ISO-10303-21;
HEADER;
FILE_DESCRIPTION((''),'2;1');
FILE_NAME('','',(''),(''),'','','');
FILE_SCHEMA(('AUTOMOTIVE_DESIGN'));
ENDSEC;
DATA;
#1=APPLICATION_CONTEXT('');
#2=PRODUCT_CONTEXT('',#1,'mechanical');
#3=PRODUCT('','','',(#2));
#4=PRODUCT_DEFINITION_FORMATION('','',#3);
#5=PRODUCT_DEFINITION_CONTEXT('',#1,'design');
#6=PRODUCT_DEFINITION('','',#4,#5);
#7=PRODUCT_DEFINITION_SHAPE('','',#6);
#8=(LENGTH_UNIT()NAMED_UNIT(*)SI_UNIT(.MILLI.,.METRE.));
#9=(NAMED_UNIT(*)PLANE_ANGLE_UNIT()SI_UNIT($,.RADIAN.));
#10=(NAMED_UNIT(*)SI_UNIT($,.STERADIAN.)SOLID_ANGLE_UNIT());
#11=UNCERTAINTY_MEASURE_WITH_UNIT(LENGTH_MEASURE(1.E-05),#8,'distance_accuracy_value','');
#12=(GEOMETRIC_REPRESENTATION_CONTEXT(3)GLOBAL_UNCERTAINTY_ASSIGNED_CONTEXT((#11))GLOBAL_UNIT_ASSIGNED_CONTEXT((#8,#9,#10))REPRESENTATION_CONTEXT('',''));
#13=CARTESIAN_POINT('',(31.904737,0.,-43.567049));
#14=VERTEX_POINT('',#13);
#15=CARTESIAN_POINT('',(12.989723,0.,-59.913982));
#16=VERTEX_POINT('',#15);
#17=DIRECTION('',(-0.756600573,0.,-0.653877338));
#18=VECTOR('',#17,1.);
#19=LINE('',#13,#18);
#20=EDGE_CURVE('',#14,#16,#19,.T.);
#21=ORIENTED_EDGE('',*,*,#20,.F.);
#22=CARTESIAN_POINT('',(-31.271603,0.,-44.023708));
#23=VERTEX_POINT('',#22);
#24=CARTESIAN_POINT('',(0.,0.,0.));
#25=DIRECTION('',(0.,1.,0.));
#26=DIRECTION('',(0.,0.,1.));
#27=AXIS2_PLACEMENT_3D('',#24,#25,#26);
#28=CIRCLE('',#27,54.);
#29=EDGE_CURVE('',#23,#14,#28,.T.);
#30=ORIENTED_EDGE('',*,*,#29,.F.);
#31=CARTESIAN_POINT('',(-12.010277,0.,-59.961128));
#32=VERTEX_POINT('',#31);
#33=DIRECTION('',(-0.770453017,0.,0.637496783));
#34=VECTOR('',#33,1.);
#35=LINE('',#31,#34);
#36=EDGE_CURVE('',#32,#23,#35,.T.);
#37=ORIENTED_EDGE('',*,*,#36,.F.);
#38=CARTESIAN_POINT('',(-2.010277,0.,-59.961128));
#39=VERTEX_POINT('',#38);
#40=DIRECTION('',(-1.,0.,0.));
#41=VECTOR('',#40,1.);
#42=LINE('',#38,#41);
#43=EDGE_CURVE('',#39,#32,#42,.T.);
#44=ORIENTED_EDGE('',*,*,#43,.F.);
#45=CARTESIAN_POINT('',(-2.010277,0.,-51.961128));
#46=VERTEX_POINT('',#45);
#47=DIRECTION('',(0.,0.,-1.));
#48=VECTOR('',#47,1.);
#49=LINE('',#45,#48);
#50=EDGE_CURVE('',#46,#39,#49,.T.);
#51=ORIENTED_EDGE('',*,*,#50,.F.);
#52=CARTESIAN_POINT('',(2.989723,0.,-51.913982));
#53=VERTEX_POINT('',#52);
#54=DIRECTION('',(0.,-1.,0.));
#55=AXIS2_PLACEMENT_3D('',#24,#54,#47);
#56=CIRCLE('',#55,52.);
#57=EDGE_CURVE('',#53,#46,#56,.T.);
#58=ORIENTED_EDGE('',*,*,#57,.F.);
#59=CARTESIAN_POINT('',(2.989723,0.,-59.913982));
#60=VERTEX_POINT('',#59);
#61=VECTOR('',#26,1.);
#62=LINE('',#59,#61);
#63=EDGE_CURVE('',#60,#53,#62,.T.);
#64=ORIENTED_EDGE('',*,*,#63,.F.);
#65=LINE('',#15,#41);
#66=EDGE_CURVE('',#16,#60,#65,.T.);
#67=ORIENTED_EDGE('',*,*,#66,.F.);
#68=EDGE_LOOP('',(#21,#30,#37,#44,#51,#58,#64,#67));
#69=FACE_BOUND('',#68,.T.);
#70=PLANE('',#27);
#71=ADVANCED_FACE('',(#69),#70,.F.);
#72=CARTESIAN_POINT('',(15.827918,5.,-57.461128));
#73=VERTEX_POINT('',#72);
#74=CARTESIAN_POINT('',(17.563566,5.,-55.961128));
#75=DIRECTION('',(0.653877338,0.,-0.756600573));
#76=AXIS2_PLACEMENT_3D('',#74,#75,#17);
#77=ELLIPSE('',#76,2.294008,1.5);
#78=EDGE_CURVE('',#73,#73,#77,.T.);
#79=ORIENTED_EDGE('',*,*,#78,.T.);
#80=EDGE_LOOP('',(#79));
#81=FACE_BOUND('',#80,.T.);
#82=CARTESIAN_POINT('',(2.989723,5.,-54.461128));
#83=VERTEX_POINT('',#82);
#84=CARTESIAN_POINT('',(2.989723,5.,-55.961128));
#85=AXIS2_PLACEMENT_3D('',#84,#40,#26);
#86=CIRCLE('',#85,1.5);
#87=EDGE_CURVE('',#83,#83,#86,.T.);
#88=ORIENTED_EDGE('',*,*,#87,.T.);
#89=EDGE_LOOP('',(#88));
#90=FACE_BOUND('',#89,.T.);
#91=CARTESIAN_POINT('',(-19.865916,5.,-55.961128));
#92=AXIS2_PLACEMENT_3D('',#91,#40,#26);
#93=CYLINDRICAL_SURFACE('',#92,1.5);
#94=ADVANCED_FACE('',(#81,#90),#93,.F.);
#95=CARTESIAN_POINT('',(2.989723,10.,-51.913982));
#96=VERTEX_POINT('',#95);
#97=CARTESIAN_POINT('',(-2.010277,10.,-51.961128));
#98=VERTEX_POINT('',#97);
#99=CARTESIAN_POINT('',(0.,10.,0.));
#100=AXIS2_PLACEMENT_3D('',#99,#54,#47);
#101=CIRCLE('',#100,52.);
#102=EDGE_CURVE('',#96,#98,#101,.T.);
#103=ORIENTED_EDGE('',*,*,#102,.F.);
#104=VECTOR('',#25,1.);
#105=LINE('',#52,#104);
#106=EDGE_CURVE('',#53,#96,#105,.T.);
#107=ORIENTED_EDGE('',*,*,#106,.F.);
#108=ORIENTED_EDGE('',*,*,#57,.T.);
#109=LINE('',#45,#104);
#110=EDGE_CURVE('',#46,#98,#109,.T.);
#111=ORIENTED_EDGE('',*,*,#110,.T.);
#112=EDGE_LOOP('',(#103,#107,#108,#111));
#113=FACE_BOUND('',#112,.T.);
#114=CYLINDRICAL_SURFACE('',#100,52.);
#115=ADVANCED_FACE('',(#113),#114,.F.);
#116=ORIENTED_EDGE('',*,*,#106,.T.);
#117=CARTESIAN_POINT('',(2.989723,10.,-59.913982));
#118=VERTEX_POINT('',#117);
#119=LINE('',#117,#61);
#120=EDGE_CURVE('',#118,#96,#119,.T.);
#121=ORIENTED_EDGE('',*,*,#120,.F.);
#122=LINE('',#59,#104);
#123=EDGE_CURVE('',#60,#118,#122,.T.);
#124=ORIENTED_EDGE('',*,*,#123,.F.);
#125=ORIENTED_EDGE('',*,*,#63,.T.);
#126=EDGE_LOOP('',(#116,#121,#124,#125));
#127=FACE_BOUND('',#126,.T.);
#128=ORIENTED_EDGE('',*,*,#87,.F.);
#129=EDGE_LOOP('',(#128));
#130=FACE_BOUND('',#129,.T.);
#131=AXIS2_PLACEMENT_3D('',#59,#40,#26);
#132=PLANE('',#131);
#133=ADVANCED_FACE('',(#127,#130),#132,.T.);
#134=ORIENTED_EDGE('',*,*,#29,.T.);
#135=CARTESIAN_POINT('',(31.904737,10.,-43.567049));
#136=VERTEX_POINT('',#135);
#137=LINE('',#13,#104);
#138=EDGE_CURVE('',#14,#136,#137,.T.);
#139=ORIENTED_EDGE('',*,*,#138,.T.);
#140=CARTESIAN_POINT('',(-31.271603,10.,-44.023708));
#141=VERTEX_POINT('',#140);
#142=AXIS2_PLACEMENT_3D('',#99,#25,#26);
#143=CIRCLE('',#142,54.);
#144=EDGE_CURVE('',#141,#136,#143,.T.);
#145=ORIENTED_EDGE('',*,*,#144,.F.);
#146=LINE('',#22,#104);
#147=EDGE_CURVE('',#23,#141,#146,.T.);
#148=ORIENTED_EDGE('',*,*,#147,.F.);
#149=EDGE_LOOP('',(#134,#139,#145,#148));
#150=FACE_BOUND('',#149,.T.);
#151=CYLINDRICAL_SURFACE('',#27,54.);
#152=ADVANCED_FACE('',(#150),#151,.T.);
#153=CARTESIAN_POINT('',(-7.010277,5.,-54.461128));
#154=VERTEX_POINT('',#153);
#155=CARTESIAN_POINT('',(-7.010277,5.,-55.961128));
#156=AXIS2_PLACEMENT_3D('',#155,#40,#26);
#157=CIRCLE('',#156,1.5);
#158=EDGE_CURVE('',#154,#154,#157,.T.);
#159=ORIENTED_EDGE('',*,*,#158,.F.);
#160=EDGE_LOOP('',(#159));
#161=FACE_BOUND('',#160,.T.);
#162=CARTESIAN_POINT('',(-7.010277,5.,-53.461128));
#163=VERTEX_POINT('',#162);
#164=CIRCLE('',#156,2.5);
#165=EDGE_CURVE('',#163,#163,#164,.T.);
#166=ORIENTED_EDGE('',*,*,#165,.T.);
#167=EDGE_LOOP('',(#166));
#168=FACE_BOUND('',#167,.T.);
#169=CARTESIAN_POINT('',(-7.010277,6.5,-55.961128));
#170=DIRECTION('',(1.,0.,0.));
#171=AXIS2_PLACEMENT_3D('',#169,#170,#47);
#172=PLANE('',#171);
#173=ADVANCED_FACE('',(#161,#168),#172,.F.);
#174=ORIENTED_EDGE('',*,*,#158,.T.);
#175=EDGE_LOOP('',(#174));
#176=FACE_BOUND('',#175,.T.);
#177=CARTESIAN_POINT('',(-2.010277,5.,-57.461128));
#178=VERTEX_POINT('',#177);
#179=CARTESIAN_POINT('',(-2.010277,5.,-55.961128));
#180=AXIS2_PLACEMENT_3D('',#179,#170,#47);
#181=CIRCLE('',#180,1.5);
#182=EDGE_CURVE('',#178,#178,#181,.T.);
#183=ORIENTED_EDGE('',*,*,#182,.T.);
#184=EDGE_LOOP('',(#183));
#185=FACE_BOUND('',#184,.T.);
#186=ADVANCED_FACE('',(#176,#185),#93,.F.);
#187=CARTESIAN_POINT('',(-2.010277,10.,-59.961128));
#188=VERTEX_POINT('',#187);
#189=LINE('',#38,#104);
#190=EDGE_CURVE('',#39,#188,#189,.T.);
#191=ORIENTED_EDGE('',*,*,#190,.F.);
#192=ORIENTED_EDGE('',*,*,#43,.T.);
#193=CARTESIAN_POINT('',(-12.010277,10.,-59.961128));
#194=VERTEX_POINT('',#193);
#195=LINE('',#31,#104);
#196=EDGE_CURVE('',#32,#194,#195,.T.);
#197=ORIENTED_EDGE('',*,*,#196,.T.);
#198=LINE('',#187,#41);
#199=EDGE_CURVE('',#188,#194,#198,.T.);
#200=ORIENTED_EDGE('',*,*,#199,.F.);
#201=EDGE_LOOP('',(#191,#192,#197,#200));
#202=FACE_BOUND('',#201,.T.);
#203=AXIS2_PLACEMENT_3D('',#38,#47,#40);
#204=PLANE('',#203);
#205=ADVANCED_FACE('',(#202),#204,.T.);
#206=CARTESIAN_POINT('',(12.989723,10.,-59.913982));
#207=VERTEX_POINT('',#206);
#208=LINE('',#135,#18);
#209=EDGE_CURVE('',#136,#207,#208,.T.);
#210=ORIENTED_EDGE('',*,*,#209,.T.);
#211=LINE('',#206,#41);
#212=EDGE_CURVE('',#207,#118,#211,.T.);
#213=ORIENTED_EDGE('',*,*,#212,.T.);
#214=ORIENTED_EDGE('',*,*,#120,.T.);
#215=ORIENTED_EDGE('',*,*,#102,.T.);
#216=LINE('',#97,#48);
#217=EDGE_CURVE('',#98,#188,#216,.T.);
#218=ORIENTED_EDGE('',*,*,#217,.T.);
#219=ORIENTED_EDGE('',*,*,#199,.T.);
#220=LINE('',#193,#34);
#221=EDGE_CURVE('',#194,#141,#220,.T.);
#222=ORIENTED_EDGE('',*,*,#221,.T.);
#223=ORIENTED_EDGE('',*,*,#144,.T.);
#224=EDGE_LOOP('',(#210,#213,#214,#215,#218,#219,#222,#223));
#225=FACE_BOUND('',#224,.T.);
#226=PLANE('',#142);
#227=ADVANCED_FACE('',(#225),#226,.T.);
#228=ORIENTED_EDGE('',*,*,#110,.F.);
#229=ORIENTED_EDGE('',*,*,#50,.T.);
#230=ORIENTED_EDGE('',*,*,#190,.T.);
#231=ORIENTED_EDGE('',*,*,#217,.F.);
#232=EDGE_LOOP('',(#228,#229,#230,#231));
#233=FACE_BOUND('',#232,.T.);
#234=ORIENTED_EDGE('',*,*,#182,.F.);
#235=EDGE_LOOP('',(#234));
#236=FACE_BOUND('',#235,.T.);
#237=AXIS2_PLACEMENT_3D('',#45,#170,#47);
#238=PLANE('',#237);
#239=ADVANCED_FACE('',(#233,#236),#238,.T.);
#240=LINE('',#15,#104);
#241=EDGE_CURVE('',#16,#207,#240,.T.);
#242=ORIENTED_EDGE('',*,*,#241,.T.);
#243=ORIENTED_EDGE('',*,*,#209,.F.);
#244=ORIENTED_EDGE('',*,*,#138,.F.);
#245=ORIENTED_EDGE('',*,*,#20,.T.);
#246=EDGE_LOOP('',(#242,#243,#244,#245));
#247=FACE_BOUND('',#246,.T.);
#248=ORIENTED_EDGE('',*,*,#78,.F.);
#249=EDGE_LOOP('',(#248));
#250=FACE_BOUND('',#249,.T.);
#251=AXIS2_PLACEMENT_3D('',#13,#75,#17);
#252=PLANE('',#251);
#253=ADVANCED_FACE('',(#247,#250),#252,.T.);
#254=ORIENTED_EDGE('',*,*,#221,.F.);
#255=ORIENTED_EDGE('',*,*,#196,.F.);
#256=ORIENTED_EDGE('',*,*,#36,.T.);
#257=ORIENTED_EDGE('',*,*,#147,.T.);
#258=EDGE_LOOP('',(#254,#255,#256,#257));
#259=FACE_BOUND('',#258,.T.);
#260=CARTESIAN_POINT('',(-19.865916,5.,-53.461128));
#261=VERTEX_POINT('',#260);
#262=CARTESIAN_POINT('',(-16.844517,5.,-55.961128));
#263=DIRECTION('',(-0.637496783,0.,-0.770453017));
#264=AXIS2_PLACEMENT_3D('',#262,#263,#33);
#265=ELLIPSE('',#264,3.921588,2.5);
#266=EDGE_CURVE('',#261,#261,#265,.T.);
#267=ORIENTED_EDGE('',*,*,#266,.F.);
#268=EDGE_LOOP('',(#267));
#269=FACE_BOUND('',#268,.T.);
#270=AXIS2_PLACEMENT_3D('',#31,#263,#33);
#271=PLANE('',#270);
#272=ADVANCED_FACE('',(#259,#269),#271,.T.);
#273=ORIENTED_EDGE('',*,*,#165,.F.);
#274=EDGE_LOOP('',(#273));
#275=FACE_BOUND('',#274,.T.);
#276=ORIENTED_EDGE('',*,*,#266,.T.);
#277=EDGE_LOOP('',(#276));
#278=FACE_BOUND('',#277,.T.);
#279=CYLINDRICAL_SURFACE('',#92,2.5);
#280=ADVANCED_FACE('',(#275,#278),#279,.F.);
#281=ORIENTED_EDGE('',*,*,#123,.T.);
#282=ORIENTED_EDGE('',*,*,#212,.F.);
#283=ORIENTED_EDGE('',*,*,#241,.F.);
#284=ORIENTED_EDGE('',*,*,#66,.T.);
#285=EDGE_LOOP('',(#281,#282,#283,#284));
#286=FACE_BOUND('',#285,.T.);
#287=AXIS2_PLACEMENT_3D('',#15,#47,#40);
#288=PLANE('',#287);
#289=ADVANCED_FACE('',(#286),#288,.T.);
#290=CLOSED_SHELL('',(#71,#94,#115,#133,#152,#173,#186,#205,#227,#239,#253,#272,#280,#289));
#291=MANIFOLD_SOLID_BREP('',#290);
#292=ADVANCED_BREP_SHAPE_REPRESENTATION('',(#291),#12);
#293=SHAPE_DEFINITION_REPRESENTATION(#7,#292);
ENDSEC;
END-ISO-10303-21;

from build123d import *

# Parameters (mm, degrees)
BOSS_EXTRUDE1_DEPTH                                = 10
SKETCH2_W                                          = 52
SKETCH2_H                                          = 10
SKETCH3_W                                          = 1.25
SKETCH3_H                                          = 51.010277138
CBORE_FOR_M2_5_HEX_HEAD_MACHINE_SCREW1_D           = 3
CBORE_FOR_M2_5_HEX_HEAD_MACHINE_SCREW1_DEPTH       = 73.865916176
CBORE_FOR_M2_5_HEX_HEAD_MACHINE_SCREW1_CBORE_D     = 5
CBORE_FOR_M2_5_HEX_HEAD_MACHINE_SCREW1_CBORE_DEPTH = 12.855639038


with BuildPart() as part:
    # Sketch1 → Boss-Extrude1 (new body)
    with BuildSketch(Plane(origin=(0, 10, 0), x_dir=(1, 0, 0), z_dir=(0, 1, 0))):
        with BuildLine():
            Line((2.989722862, 59.91398229), (2.989722862, 51.91398229))
            ThreePointArc((2.989722862, 51.91398229), (0.490289866, 51.997688563), (-2.010277138, 51.961127642))
            Line((-2.010277138, 51.961127642), (-2.010277138, 59.961127642))
            Line((-2.010277138, 59.961127642), (-12.010277138, 59.961127642))
            Line((-12.010277138, 59.961127642), (-31.271602572, 44.023708074))
            ThreePointArc((-31.271602572, 44.023708074), (-0.39031945, -53.99858934), (31.904737187, 43.567048844))
            Line((31.904737187, 43.567048844), (12.989722862, 59.91398229))
            Line((12.989722862, 59.91398229), (2.989722862, 59.91398229))
        make_face()
    extrude(amount=-BOSS_EXTRUDE1_DEPTH)

    # Sketch2 → Cut-Revolve1 (revolve, cut)
    with BuildSketch(Plane.XY):
        with Locations((26, 5)):
            Rectangle(SKETCH2_W, SKETCH2_H)
    revolve(axis=Axis((0, 10, 0), (0, -1, 0)), mode=Mode.SUBTRACT)

    # Sketch3 → Ø2.5 (2.5) Diameter Hole1 (revolve, cut)
    with BuildSketch(Plane(origin=(2.989722862, 5, -55.91398229), x_dir=(0, 0, 1), z_dir=(0, 1, 0))):
        with Locations((0.625, 25.505138569)):
            Rectangle(SKETCH3_W, SKETCH3_H)
    revolve(axis=Axis((-3.360277138, 5, -55.91398229), (1, 0, 0)), mode=Mode.SUBTRACT)

    # CBORE for M2.5 Hex Head Machine Screw1
    with Locations(Plane.ZY.offset(19.865916176)):
        with Locations((-55.961127642, 5)):
            CounterBoreHole(CBORE_FOR_M2_5_HEX_HEAD_MACHINE_SCREW1_D / 2, CBORE_FOR_M2_5_HEX_HEAD_MACHINE_SCREW1_CBORE_D / 2, CBORE_FOR_M2_5_HEX_HEAD_MACHINE_SCREW1_CBORE_DEPTH, depth=CBORE_FOR_M2_5_HEX_HEAD_MACHINE_SCREW1_DEPTH)


solid = part.part
